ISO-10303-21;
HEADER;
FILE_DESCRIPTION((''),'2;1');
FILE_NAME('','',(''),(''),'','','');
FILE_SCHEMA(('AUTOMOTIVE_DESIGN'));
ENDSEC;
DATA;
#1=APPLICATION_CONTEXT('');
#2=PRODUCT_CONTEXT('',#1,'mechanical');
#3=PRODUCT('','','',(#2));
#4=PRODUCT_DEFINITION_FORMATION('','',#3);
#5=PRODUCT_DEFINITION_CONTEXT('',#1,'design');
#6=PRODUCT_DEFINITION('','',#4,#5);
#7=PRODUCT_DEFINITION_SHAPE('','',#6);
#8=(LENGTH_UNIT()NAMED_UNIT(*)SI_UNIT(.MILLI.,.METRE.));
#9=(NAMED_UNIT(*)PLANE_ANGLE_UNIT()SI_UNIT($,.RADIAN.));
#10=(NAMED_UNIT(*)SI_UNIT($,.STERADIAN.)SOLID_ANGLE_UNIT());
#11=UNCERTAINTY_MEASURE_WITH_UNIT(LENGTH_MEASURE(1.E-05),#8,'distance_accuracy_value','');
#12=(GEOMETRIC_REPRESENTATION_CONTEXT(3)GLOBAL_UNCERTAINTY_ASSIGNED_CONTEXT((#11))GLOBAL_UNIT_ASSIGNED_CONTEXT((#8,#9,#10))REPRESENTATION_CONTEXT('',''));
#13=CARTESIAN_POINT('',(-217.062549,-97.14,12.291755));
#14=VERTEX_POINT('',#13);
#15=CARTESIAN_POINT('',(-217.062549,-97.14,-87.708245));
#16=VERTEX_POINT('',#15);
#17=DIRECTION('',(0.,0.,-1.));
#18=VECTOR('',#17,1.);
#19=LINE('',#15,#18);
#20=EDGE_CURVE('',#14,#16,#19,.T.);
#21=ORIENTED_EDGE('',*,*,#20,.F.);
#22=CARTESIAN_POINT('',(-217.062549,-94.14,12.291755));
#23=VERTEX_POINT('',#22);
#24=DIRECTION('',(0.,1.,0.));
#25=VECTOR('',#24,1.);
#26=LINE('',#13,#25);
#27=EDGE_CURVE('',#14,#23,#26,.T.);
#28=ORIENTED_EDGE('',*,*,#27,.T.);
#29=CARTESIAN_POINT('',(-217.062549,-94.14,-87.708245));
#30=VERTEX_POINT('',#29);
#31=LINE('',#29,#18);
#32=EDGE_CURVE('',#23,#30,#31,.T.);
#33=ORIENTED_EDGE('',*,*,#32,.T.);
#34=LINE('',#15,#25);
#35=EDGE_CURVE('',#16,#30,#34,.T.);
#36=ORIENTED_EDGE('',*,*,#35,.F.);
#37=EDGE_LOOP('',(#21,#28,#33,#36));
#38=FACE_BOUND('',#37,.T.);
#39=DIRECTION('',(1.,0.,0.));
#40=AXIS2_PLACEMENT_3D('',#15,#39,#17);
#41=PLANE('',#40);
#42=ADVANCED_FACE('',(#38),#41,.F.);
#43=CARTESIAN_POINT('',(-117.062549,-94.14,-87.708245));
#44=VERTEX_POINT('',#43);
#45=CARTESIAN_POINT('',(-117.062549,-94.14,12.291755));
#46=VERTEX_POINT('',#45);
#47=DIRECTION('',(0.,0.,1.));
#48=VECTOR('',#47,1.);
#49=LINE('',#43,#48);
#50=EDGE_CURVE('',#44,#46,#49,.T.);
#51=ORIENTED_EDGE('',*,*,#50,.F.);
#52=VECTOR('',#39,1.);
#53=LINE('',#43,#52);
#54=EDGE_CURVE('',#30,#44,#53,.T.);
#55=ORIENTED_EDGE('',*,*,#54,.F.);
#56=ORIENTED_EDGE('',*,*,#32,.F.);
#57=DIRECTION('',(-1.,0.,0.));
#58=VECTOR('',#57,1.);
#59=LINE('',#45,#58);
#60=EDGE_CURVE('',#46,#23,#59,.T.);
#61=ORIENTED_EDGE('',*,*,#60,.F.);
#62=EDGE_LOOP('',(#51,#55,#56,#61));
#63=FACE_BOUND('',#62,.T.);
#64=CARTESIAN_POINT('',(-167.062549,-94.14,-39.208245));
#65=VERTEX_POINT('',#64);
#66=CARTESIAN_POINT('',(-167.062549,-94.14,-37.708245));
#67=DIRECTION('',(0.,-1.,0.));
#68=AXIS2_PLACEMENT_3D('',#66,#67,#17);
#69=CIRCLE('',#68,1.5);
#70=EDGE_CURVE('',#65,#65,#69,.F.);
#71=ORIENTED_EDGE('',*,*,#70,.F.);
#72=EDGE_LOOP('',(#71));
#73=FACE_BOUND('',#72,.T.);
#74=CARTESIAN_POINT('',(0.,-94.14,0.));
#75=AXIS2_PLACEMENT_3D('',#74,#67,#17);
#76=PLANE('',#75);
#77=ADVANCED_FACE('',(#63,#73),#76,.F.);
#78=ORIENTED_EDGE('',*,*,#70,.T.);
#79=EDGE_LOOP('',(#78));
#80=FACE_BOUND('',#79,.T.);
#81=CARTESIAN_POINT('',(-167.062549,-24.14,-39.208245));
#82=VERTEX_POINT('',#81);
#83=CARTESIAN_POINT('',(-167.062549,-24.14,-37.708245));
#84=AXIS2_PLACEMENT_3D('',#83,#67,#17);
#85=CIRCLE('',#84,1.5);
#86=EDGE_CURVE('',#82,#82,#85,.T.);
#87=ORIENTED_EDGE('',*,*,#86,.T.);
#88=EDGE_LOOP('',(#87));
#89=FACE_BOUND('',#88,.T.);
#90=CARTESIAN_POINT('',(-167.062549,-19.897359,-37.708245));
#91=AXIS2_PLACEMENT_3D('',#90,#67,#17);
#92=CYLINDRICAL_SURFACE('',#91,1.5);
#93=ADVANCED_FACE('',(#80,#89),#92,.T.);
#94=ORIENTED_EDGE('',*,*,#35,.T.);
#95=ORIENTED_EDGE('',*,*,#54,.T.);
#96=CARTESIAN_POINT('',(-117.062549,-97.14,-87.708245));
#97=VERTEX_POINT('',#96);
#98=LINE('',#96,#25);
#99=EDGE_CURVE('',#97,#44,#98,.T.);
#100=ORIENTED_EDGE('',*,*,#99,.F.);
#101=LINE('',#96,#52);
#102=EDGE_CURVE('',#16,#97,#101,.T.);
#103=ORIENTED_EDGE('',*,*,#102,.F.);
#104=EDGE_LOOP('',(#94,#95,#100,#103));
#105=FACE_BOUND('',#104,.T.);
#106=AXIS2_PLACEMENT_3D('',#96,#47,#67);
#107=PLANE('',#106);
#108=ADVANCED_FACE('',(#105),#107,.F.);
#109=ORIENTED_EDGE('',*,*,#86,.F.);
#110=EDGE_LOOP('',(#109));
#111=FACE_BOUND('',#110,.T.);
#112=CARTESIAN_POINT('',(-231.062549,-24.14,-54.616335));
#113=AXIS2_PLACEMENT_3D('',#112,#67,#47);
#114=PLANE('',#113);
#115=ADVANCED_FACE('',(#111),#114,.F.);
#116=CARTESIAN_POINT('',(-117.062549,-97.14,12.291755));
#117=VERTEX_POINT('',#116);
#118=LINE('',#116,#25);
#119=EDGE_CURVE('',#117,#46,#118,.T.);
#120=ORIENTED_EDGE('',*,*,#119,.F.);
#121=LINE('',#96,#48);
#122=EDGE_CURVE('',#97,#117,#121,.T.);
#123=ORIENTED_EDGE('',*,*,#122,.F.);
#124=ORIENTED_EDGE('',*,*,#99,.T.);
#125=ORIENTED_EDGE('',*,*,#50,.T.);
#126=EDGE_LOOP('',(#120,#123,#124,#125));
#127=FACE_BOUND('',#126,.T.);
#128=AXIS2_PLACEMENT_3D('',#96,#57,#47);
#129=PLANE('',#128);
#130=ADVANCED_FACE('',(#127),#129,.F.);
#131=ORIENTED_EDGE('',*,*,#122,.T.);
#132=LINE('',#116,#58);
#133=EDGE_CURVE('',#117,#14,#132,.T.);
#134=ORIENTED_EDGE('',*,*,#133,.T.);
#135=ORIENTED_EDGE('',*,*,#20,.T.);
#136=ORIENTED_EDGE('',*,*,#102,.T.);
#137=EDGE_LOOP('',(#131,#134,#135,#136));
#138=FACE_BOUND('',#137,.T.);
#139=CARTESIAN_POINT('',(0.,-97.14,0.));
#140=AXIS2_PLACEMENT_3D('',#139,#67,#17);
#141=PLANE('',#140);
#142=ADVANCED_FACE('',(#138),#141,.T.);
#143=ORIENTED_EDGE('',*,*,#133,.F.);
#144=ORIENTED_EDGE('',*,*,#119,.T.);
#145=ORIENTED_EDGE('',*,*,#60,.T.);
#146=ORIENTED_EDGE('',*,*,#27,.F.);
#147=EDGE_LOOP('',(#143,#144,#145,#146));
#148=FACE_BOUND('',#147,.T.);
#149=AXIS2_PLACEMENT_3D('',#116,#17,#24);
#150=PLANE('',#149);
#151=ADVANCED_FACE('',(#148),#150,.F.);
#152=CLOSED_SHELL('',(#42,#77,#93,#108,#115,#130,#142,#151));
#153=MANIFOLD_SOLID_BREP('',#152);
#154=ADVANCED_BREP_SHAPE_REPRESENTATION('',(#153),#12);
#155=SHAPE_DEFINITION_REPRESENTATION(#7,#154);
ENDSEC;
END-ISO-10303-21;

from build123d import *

# Parameters (mm, degrees)
ESTRUSIONE_ESTRUSIONE1_START = 70
SCHIZZO1_W                   = 100
SCHIZZO1_H                   = 100
ESTRUSIONE_ESTRUSIONE1_DEPTH = 3
SCHIZZO2_R                   = 1.5
ESTRUSIONE_ESTRUSIONE2_DEPTH = 70


with BuildPart() as part:
    # Schizzo1 → Estrusione-Estrusione1 (new body)
    with BuildSketch(Plane.XZ.offset(24.14).offset(ESTRUSIONE_ESTRUSIONE1_START)):
        with Locations((-167.062548693, -37.708245302)):
            Rectangle(SCHIZZO1_W, SCHIZZO1_H)
    extrude(amount=ESTRUSIONE_ESTRUSIONE1_DEPTH)

    # Schizzo2 → Estrusione-Estrusione2 (add)
    with BuildSketch(Plane(origin=(0, -94.14, 0), x_dir=(1, 0, 0), z_dir=(0, 1, 0))):
        with Locations((-167.062548693, 37.708245302)):
            Circle(SCHIZZO2_R)
    extrude(amount=ESTRUSIONE_ESTRUSIONE2_DEPTH)


solid = part.part
